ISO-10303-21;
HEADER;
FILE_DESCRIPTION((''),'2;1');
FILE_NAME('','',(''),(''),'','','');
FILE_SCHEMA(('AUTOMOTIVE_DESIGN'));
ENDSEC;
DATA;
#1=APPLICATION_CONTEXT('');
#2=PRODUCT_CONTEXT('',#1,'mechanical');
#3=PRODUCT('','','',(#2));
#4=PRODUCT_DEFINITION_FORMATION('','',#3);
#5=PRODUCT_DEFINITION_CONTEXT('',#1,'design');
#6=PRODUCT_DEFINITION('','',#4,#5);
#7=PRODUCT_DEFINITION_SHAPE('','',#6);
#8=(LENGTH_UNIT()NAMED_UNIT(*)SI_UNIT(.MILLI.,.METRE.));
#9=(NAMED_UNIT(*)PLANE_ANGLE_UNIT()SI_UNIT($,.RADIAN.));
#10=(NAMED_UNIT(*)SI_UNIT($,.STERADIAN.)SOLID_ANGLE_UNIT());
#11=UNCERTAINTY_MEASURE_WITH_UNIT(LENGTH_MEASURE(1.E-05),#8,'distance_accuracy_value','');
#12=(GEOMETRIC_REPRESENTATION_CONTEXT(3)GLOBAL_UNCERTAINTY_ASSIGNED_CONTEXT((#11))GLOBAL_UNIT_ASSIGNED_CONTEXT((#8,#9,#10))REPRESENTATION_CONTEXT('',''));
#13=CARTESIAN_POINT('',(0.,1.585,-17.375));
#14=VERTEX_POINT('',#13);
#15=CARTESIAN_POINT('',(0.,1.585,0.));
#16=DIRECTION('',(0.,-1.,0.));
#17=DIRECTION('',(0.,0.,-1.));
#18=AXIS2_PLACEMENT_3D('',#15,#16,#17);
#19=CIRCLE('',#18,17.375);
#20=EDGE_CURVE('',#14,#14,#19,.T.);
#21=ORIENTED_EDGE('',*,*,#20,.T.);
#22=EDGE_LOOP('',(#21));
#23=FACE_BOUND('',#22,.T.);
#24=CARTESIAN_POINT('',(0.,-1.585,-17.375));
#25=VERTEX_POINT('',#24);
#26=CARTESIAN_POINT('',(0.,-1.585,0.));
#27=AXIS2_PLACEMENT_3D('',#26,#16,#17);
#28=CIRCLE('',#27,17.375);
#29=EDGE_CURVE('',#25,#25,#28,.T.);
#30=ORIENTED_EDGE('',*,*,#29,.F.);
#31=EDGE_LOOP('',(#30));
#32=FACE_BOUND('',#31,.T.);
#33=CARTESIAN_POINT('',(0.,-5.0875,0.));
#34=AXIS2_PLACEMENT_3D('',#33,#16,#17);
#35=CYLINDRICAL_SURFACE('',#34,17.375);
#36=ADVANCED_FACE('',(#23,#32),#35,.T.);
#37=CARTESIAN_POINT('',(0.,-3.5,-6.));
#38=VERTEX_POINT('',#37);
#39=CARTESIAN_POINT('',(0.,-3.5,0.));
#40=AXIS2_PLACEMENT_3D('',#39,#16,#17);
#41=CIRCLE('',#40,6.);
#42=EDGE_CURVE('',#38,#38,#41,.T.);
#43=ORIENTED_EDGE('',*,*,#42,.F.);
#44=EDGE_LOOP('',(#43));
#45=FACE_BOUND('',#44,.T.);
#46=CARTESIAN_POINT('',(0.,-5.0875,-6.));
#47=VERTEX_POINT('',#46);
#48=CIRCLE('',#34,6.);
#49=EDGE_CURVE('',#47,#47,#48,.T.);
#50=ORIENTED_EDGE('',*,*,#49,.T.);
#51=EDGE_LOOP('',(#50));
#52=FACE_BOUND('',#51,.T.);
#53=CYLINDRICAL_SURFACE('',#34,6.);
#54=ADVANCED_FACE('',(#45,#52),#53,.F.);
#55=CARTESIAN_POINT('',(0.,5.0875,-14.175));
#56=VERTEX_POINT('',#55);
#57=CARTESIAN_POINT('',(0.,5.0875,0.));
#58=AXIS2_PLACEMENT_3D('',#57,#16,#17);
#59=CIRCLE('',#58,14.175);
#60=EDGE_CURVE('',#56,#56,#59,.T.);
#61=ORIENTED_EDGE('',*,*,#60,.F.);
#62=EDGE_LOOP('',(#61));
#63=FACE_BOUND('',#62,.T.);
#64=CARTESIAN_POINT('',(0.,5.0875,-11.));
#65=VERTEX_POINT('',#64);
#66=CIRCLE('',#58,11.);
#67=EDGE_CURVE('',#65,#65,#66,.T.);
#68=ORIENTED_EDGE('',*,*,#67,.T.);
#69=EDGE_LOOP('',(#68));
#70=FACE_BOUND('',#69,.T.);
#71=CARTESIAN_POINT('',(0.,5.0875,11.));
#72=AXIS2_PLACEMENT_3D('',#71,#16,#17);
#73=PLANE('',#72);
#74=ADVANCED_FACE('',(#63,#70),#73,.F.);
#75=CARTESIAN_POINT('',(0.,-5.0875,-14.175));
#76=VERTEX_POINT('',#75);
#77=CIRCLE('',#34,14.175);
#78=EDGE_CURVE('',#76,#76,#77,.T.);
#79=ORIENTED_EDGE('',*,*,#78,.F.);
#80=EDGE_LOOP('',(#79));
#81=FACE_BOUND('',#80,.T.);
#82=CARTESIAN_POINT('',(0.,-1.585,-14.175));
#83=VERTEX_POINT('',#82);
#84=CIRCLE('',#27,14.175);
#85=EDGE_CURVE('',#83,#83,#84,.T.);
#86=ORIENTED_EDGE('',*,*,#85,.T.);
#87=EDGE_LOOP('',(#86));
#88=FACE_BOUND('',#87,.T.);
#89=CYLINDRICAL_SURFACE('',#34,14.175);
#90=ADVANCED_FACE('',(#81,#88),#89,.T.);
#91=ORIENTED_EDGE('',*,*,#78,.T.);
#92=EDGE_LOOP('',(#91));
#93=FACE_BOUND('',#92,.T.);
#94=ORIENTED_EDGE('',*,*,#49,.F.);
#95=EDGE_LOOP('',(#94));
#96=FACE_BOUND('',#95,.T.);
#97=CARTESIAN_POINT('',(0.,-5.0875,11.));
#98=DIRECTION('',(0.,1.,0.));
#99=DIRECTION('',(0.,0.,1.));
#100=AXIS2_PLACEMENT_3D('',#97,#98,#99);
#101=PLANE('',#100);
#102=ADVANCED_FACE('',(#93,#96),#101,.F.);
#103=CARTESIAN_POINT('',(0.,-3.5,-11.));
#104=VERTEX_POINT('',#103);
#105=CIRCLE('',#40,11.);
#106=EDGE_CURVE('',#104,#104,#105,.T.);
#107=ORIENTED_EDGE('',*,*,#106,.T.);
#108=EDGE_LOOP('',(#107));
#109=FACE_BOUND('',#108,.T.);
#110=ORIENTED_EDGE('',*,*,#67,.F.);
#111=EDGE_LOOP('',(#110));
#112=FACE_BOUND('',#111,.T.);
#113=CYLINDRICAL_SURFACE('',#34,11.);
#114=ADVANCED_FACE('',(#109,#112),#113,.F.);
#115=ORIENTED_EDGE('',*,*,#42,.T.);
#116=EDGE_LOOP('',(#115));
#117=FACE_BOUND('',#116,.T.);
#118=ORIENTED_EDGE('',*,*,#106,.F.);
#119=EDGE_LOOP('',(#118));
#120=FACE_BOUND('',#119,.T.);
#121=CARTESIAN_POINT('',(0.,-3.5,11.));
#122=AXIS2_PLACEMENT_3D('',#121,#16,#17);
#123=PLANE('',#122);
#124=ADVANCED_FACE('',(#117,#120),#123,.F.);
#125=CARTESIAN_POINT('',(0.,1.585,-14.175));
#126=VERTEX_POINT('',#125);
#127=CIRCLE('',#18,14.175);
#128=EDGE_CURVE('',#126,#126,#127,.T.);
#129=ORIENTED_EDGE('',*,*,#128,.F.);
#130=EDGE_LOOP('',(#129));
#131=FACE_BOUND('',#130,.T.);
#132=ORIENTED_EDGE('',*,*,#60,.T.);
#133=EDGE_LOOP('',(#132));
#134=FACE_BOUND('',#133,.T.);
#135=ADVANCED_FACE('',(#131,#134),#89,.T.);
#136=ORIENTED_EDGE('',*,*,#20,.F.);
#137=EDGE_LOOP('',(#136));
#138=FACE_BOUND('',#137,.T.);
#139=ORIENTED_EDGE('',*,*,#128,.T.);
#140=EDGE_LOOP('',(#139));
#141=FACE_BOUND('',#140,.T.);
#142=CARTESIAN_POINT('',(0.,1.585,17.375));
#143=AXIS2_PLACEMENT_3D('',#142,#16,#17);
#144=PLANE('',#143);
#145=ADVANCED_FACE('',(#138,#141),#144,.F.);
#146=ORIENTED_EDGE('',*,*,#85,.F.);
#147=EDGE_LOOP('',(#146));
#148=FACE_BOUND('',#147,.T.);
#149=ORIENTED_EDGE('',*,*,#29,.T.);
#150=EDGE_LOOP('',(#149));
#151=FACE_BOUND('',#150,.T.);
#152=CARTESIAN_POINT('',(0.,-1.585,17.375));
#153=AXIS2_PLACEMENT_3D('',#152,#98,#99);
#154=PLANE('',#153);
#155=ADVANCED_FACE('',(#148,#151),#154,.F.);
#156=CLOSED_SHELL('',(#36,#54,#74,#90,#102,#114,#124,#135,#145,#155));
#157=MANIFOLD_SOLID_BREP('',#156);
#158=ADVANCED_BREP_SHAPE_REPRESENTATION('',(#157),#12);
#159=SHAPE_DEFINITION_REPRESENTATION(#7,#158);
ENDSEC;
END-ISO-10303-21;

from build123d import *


with BuildPart() as part:
    # Profile Sketch → Profile Revolve (revolve)
    with BuildSketch(Plane(origin=(0, 0, 0), x_dir=(0, 0, -1), z_dir=(1, 0, 0)), mode=Mode.PRIVATE) as profile_revolve_sk:
        Polygon((-6, -3.499999985), (-6, -5.087499985), (-11, -5.087499985), (-14.175, -5.087499985), (-14.175, -1.585), (-17.375, -1.585), (-17.375, 1.585), (-14.175, 1.585), (-14.175, 5.087499985), (-11, 5.087499985), (-11, -3.499999985), align=None)
    revolve(profile_revolve_sk.sketch.rotate(Axis((0, -5.087499985, 0), (0, 1, 0)), 180), axis=Axis((0, -5.087499985, 0), (0, 1, 0)))


solid = part.part
